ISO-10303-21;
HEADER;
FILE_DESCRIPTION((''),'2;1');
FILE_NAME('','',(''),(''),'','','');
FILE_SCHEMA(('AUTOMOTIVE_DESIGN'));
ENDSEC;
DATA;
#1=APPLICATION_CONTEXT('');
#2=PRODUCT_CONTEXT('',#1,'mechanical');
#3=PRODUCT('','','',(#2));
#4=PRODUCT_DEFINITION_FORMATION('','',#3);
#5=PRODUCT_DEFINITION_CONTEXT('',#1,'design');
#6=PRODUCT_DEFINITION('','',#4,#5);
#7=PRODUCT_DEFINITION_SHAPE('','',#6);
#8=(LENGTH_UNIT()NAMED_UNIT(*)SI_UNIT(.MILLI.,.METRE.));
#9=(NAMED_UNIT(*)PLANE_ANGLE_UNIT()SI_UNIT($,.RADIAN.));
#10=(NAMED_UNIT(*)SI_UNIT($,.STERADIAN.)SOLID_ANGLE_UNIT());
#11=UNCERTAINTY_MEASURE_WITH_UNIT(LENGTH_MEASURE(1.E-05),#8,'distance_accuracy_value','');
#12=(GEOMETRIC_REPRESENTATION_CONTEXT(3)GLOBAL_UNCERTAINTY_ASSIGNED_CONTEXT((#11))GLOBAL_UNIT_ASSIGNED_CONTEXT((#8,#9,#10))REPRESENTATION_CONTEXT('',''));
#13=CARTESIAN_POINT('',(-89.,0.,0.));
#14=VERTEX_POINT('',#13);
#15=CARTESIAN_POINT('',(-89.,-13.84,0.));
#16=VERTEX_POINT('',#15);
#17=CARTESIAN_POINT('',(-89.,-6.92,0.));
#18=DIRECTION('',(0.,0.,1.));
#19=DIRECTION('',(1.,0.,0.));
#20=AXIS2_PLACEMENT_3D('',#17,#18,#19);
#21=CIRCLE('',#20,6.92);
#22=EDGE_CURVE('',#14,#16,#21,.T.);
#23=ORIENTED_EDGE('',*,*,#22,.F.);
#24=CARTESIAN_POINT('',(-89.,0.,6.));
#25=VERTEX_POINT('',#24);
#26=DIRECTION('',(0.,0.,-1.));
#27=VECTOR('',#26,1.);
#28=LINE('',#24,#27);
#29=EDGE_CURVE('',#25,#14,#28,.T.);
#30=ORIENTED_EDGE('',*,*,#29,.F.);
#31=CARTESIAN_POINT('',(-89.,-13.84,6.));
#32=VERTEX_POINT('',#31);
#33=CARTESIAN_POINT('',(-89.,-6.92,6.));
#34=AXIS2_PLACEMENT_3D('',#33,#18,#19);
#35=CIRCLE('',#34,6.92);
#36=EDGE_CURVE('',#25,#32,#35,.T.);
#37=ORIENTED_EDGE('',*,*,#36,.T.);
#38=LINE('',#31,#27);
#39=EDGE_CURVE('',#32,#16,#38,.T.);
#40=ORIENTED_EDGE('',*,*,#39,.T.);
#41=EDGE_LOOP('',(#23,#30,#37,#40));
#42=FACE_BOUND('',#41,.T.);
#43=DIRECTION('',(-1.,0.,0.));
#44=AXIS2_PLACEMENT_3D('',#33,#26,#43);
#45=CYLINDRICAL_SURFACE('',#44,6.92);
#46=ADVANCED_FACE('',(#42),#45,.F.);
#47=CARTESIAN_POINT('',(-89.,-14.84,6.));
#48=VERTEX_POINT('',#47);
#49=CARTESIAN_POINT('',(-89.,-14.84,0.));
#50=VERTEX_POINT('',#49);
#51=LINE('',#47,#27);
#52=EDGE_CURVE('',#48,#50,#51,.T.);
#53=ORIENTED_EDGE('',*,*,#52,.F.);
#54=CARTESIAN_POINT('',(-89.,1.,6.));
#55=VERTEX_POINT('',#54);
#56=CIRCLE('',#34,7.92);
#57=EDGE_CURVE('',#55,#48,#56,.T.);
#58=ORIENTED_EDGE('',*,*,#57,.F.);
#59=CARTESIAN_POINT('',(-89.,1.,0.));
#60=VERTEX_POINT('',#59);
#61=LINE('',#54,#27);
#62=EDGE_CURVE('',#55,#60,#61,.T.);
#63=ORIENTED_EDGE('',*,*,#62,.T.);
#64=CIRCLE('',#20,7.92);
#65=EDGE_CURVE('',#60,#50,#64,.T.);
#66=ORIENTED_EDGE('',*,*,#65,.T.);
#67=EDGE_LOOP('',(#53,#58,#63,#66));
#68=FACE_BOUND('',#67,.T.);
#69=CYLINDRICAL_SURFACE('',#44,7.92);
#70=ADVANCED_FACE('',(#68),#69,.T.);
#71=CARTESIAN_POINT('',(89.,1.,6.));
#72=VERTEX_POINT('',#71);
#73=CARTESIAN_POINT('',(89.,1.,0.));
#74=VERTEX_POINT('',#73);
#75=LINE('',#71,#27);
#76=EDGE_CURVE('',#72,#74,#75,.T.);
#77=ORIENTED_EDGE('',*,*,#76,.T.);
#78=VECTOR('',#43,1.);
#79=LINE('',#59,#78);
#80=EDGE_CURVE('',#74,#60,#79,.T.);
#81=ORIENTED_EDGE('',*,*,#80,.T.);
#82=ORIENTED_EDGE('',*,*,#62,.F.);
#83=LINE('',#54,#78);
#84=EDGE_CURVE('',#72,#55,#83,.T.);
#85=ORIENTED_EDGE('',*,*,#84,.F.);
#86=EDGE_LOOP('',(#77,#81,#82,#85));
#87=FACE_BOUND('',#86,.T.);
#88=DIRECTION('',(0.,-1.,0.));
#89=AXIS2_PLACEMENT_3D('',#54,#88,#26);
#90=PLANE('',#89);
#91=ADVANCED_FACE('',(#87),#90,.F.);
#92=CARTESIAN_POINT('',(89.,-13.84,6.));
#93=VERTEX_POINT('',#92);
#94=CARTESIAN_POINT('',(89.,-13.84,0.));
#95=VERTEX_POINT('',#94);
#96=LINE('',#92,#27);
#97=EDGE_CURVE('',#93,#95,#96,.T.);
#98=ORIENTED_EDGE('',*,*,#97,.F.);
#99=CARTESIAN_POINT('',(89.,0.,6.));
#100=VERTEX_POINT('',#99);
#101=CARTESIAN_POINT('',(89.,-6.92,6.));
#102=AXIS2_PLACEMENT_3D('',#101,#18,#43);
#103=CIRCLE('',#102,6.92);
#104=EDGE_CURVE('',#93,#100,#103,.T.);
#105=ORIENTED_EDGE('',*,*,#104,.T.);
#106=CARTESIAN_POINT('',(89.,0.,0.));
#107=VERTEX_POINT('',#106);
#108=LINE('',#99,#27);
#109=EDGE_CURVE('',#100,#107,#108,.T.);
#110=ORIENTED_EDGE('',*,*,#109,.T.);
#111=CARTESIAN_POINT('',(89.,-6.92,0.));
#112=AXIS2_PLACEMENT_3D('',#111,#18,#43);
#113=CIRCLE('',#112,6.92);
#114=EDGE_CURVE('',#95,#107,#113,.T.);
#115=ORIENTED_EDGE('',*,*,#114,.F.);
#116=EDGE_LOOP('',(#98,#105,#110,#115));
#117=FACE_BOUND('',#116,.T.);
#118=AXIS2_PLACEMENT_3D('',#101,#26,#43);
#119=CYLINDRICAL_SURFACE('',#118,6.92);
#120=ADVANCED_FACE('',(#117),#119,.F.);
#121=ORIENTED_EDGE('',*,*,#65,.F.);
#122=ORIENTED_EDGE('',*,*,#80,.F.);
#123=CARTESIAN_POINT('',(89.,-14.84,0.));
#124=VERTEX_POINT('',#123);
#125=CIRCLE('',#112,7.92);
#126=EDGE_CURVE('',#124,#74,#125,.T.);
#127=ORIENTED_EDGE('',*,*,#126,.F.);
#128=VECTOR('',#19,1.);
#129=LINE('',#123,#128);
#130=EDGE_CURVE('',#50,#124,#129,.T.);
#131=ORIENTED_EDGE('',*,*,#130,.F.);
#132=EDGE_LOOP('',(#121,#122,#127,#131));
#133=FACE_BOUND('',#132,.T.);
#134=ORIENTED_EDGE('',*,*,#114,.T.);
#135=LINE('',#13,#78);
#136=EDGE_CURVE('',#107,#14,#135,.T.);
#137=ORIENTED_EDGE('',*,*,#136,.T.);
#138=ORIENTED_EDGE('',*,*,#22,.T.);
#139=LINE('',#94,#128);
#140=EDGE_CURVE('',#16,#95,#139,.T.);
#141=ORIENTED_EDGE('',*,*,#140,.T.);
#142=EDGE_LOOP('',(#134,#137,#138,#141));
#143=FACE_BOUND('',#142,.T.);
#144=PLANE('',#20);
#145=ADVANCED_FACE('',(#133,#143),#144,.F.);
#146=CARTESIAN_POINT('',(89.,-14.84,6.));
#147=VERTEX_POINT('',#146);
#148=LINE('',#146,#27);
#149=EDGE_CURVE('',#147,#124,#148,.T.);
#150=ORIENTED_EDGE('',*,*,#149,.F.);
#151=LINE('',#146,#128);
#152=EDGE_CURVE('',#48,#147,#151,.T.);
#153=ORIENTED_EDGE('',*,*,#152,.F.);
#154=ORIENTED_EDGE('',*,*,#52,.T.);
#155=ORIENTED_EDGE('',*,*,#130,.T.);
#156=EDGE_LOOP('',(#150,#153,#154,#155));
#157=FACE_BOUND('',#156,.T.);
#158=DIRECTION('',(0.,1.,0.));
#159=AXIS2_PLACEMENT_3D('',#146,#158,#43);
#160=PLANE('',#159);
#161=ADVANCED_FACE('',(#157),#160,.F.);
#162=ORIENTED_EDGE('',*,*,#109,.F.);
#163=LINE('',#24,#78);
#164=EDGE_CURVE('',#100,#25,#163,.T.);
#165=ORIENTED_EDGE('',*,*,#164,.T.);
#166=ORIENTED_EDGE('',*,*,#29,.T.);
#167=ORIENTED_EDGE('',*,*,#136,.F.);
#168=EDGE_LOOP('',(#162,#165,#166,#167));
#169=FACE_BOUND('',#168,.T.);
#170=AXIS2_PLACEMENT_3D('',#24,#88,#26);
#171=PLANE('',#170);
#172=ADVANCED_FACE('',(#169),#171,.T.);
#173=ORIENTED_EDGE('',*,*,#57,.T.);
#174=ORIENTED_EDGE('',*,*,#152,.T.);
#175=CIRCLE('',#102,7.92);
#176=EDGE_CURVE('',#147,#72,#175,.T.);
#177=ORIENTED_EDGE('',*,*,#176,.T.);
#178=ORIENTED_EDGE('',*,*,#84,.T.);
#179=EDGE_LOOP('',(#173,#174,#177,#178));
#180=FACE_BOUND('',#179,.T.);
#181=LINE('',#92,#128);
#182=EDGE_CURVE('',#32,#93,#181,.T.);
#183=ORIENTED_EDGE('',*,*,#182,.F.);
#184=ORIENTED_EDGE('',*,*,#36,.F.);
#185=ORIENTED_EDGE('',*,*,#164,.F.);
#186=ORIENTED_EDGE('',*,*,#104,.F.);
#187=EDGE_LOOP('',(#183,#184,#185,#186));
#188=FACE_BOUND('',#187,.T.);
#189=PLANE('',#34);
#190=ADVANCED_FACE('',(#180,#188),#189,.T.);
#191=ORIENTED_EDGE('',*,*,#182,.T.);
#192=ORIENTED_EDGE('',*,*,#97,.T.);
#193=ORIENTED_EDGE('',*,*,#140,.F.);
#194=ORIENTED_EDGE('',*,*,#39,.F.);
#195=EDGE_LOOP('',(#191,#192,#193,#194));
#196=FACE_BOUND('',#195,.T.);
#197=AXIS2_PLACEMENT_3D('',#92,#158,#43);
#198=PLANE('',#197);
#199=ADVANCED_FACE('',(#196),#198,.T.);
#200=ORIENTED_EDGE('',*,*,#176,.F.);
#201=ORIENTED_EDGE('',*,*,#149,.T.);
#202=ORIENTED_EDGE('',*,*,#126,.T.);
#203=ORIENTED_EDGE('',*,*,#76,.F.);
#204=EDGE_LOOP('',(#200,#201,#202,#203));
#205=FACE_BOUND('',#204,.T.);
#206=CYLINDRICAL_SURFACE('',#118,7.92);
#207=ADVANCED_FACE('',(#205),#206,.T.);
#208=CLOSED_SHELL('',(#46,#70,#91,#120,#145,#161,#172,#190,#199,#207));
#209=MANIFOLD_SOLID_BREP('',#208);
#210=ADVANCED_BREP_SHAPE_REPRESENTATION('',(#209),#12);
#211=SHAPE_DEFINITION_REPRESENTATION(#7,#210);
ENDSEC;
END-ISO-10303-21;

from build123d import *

# Parameters (mm, degrees)
BOSS_EXTRUDE1_DEPTH = 6


with BuildPart() as part:
    # Sketch2 → Boss-Extrude1 (new body)
    with BuildSketch(Plane.XY):
        with BuildLine():
            Line((-89, 1), (89, 1))
            ThreePointArc((89, 1), (96.92, -6.92), (89, -14.84))
            Line((89, -14.84), (-89, -14.84))
            ThreePointArc((-89, -14.84), (-96.92, -6.92), (-89, 1))
        make_face()
        with BuildLine():
            Line((-89, 0), (89, 0))
            ThreePointArc((89, 0), (95.92, -6.92), (89, -13.84))
            Line((89, -13.84), (-89, -13.84))
            ThreePointArc((-89, -13.84), (-95.92, -6.92), (-89, 0))
        make_face(mode=Mode.SUBTRACT)
    extrude(amount=BOSS_EXTRUDE1_DEPTH)


solid = part.part
